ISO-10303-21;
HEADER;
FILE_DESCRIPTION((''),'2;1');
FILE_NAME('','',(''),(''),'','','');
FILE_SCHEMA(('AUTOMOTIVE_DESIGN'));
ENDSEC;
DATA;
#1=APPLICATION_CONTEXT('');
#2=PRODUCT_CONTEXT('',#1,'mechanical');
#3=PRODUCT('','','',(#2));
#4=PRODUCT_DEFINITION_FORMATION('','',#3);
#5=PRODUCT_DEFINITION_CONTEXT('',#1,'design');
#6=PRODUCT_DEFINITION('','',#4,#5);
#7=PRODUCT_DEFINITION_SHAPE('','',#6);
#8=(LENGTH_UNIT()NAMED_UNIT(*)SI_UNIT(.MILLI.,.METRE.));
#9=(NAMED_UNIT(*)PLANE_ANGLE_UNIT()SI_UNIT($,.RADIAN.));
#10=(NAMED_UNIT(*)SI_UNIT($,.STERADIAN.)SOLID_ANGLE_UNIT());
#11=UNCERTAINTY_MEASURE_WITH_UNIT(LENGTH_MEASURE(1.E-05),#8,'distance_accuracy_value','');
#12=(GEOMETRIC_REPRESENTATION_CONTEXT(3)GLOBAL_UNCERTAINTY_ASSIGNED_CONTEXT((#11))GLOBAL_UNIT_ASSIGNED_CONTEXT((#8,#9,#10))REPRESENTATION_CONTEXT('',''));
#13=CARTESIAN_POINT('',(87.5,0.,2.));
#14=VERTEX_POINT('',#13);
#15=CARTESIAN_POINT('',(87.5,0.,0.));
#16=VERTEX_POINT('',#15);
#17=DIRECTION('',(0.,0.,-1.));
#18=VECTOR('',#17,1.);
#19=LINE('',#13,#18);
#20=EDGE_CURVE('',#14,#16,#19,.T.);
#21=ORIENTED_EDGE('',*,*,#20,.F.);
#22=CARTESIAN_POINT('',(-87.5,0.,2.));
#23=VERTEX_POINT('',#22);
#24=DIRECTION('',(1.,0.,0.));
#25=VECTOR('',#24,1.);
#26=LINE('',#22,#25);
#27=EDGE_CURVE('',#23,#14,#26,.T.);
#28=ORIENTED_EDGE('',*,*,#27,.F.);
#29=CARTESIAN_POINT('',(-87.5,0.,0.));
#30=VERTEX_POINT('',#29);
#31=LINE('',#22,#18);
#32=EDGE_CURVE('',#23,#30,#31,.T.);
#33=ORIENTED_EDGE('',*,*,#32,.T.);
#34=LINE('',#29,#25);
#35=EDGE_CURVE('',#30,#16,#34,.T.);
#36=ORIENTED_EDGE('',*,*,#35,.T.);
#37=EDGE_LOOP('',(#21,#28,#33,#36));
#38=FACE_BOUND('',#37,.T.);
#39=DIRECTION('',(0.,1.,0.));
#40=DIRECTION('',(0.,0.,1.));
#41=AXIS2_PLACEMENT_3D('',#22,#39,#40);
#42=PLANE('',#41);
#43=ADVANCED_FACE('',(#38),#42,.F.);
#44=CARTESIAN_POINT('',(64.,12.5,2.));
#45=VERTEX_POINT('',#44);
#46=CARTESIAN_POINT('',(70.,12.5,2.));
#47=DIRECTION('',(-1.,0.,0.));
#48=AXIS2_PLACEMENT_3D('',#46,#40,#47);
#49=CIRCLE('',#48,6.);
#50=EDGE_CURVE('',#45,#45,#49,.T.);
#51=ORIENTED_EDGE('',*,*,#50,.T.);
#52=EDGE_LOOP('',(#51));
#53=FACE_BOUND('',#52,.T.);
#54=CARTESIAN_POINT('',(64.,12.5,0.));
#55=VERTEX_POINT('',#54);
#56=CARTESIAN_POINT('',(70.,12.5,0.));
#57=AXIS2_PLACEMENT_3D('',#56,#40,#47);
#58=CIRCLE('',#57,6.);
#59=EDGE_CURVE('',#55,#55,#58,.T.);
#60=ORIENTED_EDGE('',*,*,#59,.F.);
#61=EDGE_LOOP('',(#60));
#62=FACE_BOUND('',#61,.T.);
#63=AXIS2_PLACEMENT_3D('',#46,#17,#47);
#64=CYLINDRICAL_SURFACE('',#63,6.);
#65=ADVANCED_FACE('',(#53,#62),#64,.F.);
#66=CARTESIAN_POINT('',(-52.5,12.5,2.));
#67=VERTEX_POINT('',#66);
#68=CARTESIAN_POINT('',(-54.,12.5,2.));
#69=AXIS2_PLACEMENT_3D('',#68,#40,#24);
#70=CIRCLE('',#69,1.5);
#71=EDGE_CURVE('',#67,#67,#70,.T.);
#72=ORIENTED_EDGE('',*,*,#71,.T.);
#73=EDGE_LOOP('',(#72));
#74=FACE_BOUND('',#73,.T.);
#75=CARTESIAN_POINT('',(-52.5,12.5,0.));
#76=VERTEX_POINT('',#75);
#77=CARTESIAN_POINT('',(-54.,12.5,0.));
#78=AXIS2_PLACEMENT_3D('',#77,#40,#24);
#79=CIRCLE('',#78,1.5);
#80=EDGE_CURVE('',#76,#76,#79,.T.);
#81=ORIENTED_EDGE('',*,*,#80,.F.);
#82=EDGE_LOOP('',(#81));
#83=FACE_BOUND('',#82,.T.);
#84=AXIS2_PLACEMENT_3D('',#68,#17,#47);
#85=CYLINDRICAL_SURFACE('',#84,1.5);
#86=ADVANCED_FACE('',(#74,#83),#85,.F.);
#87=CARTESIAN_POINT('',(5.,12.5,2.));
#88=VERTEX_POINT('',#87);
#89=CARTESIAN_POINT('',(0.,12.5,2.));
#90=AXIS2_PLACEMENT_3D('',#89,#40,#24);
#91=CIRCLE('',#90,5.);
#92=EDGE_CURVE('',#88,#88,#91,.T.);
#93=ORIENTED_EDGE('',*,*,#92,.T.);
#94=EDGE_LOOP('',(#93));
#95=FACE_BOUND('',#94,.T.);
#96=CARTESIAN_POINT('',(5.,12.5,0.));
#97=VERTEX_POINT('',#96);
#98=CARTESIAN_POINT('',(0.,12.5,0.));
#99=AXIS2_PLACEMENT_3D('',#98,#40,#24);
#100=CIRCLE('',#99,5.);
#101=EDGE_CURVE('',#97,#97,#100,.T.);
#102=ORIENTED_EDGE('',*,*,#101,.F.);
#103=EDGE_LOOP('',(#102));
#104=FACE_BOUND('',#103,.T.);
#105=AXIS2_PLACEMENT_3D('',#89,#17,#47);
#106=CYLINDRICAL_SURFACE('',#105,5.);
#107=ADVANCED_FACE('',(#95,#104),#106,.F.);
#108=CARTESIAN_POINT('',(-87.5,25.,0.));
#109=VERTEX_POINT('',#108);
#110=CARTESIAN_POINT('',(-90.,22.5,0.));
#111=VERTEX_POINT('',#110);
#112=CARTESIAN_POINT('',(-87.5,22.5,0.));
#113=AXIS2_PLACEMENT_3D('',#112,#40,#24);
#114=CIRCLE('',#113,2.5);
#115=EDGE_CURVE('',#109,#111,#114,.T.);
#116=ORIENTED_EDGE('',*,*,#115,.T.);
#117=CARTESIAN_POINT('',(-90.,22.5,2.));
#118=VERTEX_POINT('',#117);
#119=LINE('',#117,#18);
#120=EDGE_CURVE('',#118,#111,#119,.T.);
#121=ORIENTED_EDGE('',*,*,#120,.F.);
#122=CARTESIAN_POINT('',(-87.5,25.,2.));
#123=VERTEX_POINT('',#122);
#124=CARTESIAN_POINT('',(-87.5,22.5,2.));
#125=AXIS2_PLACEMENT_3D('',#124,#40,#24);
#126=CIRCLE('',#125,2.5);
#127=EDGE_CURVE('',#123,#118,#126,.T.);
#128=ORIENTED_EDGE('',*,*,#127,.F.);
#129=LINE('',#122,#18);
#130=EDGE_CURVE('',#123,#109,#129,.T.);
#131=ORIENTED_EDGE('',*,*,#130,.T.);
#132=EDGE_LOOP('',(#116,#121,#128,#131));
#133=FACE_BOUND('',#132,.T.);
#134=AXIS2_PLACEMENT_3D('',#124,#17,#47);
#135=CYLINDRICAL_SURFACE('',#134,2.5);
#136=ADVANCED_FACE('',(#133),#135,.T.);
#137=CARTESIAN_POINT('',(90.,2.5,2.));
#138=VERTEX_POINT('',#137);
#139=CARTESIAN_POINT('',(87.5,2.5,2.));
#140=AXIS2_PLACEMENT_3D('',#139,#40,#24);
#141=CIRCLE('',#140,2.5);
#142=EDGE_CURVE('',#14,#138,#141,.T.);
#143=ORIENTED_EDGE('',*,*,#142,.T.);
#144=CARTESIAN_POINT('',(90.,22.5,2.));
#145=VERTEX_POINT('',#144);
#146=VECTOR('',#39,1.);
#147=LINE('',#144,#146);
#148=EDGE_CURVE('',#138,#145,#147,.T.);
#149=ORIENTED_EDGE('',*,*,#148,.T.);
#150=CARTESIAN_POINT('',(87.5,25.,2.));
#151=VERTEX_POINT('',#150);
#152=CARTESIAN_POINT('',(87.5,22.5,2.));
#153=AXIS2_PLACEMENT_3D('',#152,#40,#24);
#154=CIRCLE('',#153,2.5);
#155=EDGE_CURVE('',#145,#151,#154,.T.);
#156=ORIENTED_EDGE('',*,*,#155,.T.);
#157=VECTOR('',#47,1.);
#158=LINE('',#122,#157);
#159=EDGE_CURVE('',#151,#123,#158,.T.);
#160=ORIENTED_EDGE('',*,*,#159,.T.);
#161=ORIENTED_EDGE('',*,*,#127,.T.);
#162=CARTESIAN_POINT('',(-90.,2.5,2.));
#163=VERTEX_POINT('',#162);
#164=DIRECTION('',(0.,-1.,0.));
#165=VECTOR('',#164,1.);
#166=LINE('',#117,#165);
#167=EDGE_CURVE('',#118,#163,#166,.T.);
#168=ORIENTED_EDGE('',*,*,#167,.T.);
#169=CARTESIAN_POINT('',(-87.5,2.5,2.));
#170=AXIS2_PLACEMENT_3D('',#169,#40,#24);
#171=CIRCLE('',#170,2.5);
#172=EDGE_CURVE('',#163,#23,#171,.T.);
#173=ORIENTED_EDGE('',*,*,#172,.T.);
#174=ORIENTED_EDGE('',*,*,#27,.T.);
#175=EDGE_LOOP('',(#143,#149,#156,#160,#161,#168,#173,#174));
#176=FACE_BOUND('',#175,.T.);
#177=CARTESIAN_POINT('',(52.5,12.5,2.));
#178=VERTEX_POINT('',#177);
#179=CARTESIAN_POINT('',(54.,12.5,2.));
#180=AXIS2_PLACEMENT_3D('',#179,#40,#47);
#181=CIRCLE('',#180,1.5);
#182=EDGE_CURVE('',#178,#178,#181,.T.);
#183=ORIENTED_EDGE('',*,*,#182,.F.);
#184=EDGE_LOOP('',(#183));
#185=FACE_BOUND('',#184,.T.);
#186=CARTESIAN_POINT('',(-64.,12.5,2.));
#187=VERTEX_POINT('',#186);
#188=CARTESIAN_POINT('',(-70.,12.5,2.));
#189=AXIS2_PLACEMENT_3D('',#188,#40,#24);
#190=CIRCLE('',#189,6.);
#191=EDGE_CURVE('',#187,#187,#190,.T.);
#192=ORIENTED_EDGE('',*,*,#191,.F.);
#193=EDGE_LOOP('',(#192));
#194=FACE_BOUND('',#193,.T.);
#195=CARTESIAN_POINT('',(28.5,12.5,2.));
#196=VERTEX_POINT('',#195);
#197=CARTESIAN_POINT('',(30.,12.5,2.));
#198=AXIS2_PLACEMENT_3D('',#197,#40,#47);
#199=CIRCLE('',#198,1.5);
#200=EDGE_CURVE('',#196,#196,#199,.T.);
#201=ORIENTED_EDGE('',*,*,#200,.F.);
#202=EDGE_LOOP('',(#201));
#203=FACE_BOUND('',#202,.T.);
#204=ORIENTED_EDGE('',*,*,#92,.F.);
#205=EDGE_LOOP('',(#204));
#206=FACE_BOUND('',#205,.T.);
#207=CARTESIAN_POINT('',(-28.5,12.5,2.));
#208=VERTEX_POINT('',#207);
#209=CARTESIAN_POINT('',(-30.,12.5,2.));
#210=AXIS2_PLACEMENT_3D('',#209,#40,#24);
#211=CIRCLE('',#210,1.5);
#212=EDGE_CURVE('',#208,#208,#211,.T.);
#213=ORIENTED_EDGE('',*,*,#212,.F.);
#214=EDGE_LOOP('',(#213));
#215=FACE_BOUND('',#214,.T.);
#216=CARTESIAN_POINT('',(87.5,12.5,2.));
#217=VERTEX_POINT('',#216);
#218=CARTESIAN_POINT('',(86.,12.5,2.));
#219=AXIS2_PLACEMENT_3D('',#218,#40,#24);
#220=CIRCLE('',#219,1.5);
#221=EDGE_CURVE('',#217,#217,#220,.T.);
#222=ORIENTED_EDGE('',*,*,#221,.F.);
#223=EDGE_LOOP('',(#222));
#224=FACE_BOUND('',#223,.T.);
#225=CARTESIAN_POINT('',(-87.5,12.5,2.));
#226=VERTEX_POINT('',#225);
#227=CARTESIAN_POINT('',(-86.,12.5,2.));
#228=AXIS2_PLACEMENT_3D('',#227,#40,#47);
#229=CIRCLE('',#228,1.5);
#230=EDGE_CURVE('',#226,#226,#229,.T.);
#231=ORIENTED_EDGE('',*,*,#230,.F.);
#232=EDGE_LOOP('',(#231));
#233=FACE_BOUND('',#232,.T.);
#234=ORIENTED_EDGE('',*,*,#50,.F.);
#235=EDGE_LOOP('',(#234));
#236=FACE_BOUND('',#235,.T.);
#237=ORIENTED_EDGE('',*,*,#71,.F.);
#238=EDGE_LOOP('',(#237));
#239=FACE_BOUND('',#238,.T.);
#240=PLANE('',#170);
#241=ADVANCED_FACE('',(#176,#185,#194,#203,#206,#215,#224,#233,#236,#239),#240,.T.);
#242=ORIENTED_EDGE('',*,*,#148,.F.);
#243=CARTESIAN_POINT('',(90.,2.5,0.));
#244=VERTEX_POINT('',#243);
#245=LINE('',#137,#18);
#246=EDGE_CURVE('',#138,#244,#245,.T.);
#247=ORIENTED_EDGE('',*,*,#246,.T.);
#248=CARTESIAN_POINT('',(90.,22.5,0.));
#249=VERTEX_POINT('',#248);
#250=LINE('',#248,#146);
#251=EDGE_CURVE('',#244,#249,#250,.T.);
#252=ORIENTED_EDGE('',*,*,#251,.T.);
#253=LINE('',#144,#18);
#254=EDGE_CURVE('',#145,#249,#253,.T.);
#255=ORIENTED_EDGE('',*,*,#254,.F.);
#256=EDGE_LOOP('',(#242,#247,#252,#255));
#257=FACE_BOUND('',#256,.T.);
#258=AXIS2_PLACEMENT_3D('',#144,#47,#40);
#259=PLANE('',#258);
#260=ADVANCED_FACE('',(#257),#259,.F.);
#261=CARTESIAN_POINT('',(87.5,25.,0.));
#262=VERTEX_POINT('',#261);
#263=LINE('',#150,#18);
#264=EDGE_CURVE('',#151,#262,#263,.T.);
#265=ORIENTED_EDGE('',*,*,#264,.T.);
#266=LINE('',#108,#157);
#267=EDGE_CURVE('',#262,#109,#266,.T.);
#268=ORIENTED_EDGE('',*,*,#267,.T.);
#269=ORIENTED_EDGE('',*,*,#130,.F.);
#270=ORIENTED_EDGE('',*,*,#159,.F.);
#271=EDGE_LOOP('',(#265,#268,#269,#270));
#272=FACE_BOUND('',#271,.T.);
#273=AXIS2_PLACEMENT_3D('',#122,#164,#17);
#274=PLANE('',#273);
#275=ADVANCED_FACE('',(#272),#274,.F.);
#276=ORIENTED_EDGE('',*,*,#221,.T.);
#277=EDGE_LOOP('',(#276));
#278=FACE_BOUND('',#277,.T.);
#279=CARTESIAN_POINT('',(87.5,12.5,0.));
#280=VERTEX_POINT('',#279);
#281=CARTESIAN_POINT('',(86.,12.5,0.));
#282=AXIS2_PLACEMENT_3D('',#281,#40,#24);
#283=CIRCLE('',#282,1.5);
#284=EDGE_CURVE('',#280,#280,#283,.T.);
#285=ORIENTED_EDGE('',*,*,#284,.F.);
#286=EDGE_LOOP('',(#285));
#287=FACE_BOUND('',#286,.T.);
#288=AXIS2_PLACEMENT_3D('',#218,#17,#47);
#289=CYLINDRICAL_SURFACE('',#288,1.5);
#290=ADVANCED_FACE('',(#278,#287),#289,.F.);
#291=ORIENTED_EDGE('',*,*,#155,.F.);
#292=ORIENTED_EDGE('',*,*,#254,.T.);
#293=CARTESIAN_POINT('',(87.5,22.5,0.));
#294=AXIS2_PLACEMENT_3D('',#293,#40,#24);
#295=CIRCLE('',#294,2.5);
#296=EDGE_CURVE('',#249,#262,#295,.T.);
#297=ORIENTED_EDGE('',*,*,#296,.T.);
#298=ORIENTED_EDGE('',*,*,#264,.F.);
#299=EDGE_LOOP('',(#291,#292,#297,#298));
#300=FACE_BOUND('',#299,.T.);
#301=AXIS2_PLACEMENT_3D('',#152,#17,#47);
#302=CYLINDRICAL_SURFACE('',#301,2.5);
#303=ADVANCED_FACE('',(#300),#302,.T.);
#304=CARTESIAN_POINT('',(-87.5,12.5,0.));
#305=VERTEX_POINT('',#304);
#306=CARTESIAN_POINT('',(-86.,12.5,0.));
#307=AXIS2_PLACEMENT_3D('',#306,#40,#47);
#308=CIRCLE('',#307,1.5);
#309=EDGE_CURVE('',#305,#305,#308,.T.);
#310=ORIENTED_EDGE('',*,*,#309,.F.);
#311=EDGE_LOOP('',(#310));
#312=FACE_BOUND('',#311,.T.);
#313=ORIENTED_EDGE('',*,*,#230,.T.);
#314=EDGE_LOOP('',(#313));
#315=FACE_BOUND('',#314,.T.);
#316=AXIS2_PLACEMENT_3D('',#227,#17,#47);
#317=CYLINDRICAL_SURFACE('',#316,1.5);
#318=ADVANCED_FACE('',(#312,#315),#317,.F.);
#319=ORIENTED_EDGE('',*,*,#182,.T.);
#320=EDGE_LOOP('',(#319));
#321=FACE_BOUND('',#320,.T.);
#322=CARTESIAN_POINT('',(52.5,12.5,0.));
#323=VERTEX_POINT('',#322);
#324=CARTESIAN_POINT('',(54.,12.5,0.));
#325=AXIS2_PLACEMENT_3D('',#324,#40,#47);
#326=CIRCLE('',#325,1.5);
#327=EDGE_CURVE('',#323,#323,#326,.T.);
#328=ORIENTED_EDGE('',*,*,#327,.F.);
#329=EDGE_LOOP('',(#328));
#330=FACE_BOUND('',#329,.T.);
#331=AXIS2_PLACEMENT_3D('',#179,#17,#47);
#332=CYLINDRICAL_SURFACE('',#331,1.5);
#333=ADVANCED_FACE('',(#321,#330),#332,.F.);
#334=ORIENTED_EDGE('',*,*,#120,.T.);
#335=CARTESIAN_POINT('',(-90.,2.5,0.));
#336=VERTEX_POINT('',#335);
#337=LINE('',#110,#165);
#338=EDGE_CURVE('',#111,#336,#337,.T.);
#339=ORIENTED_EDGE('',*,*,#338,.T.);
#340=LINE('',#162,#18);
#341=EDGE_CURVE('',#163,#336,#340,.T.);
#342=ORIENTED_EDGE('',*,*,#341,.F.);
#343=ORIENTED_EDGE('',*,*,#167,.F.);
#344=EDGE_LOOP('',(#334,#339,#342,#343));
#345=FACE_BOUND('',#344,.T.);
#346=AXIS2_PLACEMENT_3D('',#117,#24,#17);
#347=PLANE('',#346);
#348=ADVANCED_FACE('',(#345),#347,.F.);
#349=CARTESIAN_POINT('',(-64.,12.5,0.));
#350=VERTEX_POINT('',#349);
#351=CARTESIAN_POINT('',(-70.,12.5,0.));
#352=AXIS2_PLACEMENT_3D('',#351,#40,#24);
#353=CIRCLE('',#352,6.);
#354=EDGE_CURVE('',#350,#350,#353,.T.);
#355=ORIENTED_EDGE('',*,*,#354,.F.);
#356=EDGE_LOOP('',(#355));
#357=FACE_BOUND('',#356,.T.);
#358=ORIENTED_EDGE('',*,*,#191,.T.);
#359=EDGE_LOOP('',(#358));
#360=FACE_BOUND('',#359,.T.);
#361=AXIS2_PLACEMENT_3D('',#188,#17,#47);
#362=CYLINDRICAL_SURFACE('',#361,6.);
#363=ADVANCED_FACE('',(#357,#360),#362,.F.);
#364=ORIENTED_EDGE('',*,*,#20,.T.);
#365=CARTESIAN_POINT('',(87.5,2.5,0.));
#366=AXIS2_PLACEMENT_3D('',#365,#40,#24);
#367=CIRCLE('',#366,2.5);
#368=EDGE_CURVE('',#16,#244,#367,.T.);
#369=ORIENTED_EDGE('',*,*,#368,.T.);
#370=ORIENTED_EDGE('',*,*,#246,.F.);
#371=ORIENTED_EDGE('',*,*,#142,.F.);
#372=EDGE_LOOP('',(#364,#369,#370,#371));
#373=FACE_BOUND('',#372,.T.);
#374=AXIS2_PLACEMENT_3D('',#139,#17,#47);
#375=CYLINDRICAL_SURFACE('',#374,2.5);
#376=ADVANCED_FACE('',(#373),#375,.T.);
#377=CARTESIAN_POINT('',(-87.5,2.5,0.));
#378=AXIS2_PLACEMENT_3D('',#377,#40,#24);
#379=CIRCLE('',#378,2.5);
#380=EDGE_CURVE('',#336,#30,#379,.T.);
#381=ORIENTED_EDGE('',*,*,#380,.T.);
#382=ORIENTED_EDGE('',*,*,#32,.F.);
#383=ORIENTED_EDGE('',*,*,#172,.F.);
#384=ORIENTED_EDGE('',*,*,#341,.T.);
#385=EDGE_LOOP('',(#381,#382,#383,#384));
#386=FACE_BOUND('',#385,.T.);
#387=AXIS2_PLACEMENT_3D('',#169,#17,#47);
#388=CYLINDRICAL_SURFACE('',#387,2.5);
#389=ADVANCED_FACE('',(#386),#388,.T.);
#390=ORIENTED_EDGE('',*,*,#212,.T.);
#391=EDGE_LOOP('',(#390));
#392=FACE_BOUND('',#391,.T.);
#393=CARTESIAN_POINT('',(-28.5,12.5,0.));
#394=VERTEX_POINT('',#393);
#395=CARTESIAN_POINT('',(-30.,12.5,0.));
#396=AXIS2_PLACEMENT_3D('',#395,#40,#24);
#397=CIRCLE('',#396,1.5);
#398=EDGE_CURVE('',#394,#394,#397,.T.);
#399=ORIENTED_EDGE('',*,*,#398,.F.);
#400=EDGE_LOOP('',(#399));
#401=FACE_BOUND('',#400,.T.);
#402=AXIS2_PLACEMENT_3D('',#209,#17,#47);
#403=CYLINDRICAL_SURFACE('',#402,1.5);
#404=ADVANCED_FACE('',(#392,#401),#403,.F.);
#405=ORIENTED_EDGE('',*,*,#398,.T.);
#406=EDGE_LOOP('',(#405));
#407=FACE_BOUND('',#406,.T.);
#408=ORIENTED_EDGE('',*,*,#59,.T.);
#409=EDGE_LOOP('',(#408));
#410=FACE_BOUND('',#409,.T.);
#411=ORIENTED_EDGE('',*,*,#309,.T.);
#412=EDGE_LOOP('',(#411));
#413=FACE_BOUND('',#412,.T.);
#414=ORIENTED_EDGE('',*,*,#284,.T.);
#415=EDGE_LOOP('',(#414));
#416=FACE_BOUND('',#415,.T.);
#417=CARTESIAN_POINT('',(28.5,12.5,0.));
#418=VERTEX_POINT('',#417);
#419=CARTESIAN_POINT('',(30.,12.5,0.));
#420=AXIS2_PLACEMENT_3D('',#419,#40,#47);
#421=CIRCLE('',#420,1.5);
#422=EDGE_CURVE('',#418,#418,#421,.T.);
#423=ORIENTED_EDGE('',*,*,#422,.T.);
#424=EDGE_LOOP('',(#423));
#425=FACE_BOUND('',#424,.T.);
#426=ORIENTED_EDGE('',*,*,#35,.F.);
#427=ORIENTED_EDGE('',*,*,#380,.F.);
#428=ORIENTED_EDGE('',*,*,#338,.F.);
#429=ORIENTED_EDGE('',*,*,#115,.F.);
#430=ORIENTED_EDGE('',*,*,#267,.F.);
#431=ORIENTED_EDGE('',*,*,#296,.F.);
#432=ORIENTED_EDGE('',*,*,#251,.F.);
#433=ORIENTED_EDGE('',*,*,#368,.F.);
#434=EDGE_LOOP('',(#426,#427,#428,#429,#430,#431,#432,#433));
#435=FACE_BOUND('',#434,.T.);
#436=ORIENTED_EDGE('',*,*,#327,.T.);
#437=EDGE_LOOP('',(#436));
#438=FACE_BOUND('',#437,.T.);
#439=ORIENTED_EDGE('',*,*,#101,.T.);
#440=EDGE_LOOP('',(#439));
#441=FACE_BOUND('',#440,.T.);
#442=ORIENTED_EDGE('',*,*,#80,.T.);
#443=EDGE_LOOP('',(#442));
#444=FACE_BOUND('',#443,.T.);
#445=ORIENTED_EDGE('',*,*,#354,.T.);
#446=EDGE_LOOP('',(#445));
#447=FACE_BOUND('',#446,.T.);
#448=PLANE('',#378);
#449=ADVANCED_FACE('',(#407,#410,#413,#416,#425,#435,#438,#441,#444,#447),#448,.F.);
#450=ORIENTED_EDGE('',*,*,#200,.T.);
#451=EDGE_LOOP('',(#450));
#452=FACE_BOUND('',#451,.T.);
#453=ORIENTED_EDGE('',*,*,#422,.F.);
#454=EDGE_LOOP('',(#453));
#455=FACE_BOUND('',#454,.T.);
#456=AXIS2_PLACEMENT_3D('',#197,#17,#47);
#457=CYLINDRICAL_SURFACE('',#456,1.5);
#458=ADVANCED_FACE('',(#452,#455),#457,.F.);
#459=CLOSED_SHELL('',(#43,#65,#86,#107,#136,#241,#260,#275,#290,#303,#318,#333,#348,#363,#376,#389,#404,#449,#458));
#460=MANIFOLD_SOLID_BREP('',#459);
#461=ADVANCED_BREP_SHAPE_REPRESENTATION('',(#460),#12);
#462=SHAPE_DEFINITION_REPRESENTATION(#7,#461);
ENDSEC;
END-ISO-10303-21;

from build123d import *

# Parameters (mm, degrees)
MODEL_R             = 1.5
MODEL_R_2           = 5
MODEL_R_3           = 6
BOSS_EXTRUDE1_DEPTH = 2


with BuildPart() as part:
    # Model → Boss-Extrude1 (new body)
    with BuildSketch(Plane.XY):
        with BuildLine():
            Line((-87.5, 25), (87.5, 25))
            ThreePointArc((87.5, 25), (89.267766953, 24.267766953), (90, 22.5))
            Line((90, 22.5), (90, 2.5))
            ThreePointArc((90, 2.5), (89.267766953, 0.732233047), (87.5, 0))
            Line((87.5, 0), (-87.5, 0))
            ThreePointArc((-87.5, 0), (-89.267766953, 0.732233047), (-90, 2.5))
            Line((-90, 2.5), (-90, 22.5))
            ThreePointArc((-90, 22.5), (-89.267766953, 24.267766953), (-87.5, 25))
        make_face()
        with Locations((86, 12.5)):
            Circle(MODEL_R, mode=Mode.SUBTRACT)
        with Locations(Location((-86, 12.5, 0), (0, 0, 180))):
            Circle(MODEL_R, mode=Mode.SUBTRACT)
        with Locations((0, 12.5)):
            Circle(MODEL_R_2, mode=Mode.SUBTRACT)
        with Locations((-70, 12.5)):
            Circle(MODEL_R_3, mode=Mode.SUBTRACT)
        with Locations(Location((70, 12.5, 0), (0, 0, 180))):
            Circle(MODEL_R_3, mode=Mode.SUBTRACT)
        with Locations((-54, 12.5)):
            Circle(MODEL_R, mode=Mode.SUBTRACT)
        with Locations(Location((54, 12.5, 0), (0, 0, 180))):
            Circle(MODEL_R, mode=Mode.SUBTRACT)
        with Locations((-30, 12.5)):
            Circle(MODEL_R, mode=Mode.SUBTRACT)
        with Locations(Location((30, 12.5, 0), (0, 0, 180))):
            Circle(MODEL_R, mode=Mode.SUBTRACT)
    extrude(amount=BOSS_EXTRUDE1_DEPTH)


solid = part.part
